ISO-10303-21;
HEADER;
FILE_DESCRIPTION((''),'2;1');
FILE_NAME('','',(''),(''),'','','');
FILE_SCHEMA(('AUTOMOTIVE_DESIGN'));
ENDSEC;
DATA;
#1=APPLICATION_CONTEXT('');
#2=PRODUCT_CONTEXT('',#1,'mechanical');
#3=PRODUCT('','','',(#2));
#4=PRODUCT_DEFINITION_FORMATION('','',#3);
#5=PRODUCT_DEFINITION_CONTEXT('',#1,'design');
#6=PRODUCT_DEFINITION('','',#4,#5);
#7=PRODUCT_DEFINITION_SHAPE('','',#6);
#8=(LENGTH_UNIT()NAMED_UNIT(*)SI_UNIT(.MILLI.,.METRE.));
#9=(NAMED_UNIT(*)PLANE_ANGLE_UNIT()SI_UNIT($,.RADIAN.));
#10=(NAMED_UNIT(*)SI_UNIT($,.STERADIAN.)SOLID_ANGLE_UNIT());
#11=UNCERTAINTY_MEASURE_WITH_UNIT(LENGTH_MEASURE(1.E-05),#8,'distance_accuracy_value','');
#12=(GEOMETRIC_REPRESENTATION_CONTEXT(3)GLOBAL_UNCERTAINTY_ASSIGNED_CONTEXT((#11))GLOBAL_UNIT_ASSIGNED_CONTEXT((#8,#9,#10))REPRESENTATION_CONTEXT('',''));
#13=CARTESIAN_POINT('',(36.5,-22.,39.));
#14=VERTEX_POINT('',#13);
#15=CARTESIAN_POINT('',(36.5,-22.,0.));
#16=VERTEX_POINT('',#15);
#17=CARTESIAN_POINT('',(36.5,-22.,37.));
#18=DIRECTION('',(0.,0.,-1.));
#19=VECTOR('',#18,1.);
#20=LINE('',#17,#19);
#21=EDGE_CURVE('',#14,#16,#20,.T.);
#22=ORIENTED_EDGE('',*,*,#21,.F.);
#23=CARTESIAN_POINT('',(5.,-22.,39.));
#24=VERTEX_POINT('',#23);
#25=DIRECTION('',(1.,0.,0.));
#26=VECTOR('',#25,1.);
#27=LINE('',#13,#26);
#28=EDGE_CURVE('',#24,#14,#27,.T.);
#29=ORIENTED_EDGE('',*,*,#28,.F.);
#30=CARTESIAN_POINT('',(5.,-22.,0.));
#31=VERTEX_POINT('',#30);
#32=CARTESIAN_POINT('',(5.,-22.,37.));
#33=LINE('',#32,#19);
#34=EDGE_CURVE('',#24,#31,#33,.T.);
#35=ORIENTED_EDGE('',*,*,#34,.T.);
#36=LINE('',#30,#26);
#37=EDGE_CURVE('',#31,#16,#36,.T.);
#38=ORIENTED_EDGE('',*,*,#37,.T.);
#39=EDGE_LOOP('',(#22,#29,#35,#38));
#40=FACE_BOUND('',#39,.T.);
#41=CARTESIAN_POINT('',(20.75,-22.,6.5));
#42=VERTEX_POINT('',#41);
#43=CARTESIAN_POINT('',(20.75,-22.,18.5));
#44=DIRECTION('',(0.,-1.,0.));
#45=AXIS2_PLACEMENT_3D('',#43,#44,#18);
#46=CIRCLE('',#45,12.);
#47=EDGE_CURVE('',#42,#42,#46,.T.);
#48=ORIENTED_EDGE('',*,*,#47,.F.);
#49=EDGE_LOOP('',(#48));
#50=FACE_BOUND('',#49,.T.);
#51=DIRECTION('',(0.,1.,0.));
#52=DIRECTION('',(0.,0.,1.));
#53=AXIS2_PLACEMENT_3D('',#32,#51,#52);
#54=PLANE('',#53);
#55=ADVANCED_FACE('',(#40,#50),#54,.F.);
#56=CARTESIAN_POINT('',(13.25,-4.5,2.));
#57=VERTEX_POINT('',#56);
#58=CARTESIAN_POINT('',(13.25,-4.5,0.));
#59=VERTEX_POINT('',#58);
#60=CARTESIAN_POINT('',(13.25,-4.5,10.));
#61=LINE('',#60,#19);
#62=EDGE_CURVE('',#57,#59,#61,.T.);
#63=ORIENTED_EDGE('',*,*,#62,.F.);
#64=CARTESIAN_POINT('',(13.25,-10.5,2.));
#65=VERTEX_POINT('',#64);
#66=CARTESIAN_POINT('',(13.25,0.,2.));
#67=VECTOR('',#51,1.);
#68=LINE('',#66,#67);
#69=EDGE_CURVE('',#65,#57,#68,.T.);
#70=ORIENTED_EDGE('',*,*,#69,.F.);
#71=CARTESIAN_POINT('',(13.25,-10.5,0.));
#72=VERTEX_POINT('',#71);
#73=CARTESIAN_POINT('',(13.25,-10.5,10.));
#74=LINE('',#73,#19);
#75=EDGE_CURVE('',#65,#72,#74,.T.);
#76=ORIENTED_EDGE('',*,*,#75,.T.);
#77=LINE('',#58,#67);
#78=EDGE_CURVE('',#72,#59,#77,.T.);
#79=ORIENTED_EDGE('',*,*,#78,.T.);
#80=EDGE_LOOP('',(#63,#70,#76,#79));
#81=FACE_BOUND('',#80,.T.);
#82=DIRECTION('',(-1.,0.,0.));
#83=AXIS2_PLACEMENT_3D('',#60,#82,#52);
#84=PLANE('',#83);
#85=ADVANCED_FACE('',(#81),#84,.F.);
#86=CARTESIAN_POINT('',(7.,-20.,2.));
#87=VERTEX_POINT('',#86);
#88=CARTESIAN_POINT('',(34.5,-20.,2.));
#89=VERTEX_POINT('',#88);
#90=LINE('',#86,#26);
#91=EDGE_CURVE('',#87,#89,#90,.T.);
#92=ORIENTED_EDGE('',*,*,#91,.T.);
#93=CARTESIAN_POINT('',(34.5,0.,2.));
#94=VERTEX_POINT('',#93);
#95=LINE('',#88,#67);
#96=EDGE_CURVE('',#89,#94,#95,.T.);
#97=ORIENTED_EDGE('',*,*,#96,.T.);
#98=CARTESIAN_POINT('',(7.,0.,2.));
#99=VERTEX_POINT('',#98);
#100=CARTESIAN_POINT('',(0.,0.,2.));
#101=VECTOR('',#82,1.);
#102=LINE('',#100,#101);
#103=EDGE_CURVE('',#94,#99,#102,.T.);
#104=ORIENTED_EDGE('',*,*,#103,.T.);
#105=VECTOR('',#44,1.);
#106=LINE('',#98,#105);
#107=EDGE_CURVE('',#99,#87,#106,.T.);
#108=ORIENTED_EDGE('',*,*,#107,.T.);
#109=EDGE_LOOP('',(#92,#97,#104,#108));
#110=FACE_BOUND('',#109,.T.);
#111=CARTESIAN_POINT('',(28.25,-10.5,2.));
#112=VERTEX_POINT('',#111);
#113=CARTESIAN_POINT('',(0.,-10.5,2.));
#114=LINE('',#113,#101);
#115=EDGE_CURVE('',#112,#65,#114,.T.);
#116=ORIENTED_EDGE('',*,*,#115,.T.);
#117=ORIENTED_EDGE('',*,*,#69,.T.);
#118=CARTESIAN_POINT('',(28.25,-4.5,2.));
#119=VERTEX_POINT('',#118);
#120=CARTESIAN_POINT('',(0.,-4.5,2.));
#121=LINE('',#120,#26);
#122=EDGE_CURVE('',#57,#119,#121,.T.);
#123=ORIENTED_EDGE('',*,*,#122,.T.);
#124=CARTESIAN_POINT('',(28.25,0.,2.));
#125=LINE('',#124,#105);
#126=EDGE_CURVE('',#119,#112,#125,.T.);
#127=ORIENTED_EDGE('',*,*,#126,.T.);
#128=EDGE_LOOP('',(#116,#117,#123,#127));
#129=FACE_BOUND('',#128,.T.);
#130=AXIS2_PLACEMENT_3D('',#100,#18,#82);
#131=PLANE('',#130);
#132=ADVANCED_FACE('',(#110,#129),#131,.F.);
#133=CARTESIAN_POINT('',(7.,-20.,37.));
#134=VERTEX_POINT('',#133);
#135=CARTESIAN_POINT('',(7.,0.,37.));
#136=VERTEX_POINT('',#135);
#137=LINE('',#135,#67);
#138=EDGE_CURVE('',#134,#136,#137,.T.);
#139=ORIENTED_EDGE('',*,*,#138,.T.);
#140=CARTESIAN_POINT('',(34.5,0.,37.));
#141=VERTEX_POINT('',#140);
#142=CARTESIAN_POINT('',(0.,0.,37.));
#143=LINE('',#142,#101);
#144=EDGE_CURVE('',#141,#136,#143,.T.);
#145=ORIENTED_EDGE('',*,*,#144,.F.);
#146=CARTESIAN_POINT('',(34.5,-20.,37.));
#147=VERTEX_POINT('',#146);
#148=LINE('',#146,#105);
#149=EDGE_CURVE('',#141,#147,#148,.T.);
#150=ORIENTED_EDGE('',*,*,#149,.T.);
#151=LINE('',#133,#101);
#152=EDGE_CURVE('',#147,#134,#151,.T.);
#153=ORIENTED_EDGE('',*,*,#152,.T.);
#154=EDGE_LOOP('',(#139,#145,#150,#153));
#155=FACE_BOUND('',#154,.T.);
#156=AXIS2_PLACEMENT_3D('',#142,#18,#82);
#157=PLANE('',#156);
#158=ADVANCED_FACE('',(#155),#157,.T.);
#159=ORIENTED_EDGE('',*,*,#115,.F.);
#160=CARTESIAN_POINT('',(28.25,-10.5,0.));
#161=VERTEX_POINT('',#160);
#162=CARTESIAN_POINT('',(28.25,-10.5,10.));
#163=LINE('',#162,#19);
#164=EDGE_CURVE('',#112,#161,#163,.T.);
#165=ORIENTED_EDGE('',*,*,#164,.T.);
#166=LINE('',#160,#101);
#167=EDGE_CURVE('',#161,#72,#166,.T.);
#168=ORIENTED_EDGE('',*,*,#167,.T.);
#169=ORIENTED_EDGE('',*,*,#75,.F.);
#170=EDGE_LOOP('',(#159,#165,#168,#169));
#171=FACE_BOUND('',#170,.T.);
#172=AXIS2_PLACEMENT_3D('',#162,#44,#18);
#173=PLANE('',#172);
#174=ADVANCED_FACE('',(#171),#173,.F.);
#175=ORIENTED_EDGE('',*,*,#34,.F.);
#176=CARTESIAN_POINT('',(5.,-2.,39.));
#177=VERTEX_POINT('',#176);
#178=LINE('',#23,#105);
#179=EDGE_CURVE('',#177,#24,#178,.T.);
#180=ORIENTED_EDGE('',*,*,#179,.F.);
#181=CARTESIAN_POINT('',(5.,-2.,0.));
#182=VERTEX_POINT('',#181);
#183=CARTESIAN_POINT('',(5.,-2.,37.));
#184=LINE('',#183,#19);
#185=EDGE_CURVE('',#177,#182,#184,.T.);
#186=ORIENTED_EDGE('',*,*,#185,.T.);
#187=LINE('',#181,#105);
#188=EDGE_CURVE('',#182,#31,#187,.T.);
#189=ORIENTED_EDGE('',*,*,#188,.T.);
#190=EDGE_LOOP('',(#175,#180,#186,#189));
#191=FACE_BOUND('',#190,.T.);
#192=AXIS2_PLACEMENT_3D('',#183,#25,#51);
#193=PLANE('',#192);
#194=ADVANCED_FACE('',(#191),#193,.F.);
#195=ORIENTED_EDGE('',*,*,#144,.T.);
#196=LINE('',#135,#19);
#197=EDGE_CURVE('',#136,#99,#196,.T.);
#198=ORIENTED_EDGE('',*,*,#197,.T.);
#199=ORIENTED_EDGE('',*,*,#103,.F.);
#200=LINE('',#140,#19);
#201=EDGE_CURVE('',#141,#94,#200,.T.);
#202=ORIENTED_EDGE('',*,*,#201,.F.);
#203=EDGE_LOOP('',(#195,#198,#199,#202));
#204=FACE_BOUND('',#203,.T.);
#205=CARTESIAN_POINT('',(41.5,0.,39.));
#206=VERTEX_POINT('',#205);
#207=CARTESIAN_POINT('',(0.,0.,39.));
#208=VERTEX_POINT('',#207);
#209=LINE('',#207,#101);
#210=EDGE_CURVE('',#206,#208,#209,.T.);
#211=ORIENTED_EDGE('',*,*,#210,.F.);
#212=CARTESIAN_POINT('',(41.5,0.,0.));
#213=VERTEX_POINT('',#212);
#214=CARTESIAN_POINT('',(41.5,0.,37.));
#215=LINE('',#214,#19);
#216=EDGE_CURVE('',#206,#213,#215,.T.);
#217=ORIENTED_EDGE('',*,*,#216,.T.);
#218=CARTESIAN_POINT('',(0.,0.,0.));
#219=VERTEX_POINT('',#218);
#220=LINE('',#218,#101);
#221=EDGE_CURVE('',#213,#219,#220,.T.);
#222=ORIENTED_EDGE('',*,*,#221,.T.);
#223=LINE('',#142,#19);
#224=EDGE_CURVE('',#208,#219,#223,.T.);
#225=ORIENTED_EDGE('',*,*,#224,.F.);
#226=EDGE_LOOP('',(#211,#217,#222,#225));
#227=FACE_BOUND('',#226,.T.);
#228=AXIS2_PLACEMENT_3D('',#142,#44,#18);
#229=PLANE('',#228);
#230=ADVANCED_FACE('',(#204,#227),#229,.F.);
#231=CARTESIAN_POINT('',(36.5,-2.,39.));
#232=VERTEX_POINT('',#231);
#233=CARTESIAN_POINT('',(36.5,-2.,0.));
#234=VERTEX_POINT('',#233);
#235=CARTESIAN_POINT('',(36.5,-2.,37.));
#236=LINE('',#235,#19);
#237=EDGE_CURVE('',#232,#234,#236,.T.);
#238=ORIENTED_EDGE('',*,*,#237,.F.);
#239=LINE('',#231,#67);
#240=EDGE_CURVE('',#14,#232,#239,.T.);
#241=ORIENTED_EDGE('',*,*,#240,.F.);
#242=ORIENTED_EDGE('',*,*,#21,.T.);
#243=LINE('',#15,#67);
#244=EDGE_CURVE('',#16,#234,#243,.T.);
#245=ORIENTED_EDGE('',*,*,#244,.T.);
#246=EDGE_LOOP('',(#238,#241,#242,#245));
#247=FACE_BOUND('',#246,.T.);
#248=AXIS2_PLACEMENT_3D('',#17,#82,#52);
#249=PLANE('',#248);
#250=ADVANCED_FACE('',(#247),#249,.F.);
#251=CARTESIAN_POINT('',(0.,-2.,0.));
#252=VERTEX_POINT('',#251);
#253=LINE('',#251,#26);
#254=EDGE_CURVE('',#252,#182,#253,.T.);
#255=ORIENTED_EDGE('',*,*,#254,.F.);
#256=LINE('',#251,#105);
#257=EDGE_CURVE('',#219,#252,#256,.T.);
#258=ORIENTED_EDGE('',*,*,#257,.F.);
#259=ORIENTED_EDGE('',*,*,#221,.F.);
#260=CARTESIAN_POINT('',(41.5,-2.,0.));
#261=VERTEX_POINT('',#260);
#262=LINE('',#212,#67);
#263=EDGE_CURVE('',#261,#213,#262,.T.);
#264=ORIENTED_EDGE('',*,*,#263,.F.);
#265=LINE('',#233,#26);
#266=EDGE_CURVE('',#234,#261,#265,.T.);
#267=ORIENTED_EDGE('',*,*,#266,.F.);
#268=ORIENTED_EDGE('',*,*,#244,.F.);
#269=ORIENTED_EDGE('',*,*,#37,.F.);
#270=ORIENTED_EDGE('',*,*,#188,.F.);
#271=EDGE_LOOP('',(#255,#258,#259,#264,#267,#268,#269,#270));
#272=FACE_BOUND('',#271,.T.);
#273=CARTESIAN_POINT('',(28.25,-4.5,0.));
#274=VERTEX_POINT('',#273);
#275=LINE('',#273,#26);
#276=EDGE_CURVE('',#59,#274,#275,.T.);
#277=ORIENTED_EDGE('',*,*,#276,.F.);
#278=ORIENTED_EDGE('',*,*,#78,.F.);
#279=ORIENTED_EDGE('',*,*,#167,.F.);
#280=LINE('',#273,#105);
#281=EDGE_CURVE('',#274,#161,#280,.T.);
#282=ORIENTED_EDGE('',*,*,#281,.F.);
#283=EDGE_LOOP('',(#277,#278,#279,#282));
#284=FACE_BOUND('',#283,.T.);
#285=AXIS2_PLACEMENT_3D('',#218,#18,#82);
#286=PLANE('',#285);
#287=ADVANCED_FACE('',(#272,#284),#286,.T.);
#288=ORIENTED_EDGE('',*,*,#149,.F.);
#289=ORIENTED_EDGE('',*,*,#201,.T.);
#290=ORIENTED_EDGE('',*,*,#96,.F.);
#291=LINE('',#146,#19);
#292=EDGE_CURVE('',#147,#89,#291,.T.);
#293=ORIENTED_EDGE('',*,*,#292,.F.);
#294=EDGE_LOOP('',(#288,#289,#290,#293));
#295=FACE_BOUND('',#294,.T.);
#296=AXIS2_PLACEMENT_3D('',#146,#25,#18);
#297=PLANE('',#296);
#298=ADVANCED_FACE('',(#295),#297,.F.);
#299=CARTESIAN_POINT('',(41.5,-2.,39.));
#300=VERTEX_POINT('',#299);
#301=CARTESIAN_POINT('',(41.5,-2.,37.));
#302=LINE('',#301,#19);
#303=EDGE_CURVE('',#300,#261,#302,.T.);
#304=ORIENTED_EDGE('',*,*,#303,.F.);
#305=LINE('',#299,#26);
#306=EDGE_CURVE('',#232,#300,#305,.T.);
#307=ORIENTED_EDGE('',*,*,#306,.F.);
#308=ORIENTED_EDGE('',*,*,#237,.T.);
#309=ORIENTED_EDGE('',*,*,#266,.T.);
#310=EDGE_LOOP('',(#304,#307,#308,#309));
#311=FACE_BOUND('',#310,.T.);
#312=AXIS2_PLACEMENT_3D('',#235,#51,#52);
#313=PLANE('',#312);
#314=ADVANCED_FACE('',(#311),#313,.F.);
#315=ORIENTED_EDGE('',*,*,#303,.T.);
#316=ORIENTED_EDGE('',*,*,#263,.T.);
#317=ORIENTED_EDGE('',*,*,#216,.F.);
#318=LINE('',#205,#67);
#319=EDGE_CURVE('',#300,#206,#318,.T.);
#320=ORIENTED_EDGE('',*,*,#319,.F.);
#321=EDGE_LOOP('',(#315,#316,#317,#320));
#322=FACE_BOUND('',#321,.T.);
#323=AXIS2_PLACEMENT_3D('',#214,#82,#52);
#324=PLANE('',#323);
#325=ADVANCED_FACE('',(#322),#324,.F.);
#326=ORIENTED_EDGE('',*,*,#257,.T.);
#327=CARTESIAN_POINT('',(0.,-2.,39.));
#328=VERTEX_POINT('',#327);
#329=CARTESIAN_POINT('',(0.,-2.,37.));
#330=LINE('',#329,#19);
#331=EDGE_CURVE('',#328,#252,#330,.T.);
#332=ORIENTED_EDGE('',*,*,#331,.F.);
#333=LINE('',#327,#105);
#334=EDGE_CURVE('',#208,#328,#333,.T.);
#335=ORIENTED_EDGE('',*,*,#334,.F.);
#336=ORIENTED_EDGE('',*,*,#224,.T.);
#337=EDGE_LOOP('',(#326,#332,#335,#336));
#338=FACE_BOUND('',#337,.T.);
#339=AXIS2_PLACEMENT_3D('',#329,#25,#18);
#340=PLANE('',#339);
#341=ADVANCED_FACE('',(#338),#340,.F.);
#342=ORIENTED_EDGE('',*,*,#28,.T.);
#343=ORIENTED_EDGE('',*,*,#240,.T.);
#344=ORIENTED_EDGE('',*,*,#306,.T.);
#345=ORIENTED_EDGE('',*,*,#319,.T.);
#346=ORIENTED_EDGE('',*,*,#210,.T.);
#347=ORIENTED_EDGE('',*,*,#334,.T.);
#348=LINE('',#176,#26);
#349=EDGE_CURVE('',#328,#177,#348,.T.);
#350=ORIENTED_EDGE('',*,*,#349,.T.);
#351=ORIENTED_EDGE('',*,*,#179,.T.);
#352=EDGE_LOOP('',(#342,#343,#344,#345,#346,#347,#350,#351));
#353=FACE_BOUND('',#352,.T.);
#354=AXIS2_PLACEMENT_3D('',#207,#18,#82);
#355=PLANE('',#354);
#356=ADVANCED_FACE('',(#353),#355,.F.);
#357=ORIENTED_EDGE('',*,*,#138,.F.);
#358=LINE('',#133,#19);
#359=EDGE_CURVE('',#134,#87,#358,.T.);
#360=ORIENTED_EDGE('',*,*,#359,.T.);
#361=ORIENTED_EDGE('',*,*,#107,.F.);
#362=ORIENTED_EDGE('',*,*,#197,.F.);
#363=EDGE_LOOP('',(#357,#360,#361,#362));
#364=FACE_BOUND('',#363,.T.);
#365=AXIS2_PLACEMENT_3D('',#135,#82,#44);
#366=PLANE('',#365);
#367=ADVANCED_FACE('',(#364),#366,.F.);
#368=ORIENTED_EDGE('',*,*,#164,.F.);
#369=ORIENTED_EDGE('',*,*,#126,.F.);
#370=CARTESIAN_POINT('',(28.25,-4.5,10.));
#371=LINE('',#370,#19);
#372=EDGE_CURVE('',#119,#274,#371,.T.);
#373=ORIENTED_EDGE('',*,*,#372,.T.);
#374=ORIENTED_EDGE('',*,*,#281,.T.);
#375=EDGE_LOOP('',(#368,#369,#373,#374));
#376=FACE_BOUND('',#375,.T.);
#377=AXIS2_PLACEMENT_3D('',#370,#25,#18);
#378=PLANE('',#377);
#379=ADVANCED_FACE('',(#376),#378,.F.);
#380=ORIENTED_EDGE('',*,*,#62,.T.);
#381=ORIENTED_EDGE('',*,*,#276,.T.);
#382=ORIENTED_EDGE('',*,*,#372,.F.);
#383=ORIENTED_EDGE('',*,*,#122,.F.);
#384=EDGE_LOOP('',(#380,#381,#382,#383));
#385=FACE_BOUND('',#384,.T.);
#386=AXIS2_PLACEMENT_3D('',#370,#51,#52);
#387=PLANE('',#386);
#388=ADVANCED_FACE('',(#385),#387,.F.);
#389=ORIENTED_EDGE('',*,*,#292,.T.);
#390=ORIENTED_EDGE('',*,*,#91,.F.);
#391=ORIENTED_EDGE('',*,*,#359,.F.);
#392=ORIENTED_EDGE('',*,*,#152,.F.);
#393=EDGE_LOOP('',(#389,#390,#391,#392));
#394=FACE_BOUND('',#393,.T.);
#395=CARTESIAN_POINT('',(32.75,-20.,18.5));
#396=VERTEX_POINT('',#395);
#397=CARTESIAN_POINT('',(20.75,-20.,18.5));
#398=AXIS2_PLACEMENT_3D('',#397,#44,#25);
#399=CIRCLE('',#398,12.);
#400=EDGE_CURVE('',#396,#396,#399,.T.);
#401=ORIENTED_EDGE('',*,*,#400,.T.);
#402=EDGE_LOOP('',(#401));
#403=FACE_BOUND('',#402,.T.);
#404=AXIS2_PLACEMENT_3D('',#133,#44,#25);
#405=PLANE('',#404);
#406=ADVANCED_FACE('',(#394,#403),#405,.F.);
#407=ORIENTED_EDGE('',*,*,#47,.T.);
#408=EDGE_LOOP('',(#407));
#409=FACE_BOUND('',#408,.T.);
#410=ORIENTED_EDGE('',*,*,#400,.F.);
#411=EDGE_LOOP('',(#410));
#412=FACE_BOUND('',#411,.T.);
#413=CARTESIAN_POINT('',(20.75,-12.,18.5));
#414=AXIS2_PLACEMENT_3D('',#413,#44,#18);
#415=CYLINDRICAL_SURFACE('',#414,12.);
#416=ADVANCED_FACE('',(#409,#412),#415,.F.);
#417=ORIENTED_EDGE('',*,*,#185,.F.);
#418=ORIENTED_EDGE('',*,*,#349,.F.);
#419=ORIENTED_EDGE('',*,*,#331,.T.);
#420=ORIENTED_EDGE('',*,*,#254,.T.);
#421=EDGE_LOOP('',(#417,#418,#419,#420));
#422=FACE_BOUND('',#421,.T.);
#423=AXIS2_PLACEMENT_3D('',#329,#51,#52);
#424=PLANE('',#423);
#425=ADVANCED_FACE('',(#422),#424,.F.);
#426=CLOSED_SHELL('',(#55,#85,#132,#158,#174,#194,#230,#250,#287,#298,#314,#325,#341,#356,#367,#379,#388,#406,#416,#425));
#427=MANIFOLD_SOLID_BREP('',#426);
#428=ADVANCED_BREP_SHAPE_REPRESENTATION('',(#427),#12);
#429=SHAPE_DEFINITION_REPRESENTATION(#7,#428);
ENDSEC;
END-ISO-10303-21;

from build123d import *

# Parameters (mm, degrees)
BOSS_EXTRUDE1_DEPTH = 37
BOSS_EXTRUDE2_DEPTH = 2
BOSS_EXTRUDE3_START = -35
BOSS_EXTRUDE3_DEPTH = 2
CUT_EXTRUDE2_DEPTH  = 2
SKETCH8_W           = 15
SKETCH8_H           = 6
SKETCH8_W_2         = 12
SKETCH8_H_2         = 3
CUT_EXTRUDE3_DEPTH  = 10
SKETCH3_R           = 12
CUT_EXTRUDE4_DEPTH  = 10


with BuildPart() as part:
    # Sketch2 → Boss-Extrude1 (new body)
    with BuildSketch(Plane.XY):
        Polygon((0, 0), (7, 0), (7, -20), (34.5, -20), (34.5, 0), (41.5, 0), (41.5, -2), (36.5, -2), (36.5, -22), (5, -22), (5, -2), (0, -2), align=None)
    extrude(amount=BOSS_EXTRUDE1_DEPTH)

    # Sketch5 → Boss-Extrude2 (add)
    with BuildSketch(Plane.XY.offset(37)):
        Polygon((0, 0), (41.5, 0), (41.5, -2), (36.5, -2), (36.5, -22), (5, -22), (5, -2), (0, -2), align=None)
    extrude(amount=BOSS_EXTRUDE2_DEPTH)

    # Sketch5<2> → Boss-Extrude3 (add)
    with BuildSketch(Plane.XY.offset(37).offset(BOSS_EXTRUDE3_START)):
        Polygon((0, 0), (41.5, 0), (41.5, -2), (36.5, -2), (36.5, -22), (5, -22), (5, -2), (0, -2), align=None)
    extrude(amount=-BOSS_EXTRUDE3_DEPTH)

    # Sketch6 → Cut-Extrude2 (cut)
    with BuildSketch(Plane(origin=(0, 0, 0), x_dir=(-1, 0, 0), z_dir=(0, 0, -1))):
        Polygon((-20.75, -9), (-14.75, -9), (-14.75, -6), (-26.75, -6), (-26.75, -9), align=None)
    extrude(amount=-CUT_EXTRUDE2_DEPTH, mode=Mode.SUBTRACT)

    # Sketch8 → Cut-Extrude3 (cut)
    with BuildSketch(Plane(origin=(0, 0, 0), x_dir=(-1, 0, 0), z_dir=(0, 0, -1))):
        with Locations((-20.75, -7.5)):
            Rectangle(SKETCH8_W, SKETCH8_H)
        with Locations((-20.75, -7.5)):
            Rectangle(SKETCH8_W_2, SKETCH8_H_2, mode=Mode.SUBTRACT)
    extrude(amount=-CUT_EXTRUDE3_DEPTH, mode=Mode.SUBTRACT)

    # Sketch3 → Cut-Extrude4 (cut)
    with BuildSketch(Plane.XZ.offset(22)):
        with Locations((20.75, 18.5)):
            Circle(SKETCH3_R)
    extrude(amount=-CUT_EXTRUDE4_DEPTH, mode=Mode.SUBTRACT)


solid = part.part
